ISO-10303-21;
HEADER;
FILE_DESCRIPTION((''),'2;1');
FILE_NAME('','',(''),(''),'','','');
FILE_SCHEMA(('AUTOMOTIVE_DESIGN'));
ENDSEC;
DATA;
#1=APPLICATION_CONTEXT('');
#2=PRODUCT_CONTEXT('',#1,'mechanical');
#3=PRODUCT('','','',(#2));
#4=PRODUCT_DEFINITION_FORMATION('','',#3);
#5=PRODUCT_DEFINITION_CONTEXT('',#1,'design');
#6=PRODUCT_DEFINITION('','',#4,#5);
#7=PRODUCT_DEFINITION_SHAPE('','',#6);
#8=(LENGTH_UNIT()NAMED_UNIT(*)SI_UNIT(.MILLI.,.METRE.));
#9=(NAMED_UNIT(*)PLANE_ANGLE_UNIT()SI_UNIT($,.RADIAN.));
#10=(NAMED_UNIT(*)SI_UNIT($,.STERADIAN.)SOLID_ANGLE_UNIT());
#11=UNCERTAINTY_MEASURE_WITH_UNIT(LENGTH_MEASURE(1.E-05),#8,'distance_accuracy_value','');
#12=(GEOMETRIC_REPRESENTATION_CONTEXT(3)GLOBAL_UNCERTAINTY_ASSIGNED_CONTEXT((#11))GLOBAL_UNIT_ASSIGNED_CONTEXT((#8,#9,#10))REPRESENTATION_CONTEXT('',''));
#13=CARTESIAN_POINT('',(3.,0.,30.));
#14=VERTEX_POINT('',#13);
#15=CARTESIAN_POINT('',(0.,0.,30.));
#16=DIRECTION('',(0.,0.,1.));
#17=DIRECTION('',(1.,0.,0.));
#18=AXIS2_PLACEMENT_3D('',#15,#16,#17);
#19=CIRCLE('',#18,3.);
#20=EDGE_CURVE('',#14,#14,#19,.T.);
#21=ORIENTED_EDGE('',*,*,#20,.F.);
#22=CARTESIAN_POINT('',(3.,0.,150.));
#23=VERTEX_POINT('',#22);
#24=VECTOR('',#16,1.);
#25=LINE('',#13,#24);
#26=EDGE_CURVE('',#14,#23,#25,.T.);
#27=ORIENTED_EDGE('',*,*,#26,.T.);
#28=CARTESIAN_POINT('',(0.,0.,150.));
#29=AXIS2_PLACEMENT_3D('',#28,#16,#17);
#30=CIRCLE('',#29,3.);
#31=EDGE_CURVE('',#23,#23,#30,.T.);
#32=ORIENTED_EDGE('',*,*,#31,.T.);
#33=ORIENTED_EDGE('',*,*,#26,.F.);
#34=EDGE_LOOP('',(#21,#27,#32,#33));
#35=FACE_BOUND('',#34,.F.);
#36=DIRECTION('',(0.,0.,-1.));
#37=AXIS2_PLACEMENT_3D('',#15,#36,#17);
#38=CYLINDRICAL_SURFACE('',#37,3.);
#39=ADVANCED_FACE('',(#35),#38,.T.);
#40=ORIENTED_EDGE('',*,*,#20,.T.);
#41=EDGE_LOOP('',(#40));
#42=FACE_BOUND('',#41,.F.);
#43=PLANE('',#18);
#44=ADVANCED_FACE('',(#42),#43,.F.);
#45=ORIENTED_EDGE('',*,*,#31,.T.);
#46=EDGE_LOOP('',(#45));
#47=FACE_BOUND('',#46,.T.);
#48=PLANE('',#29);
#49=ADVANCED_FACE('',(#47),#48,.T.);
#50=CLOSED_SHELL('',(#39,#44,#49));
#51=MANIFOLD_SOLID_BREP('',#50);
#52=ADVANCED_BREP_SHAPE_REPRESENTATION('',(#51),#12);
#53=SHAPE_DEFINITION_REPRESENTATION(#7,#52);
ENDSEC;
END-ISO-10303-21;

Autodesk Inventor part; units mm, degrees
ref_plane "YZ Plane" through (0, 0, 0) normal (1, 0, 0) x (0, 1, 0)
ref_plane "XZ Plane" through (0, 0, 0) normal (0, 1, 0) x (-1, 0, 0)
ref_plane "XY Plane" through (0, 0, 0) normal (0, 0, 1) x (1, 0, 0)
ref_plane "Work Plane3" through (0, 0, 30) normal (0, 0, 1) x (1, 0, 0)
sketch "Sketch2" plane through (0, 0, 30) normal (0, 0, 1) x (1, 0, 0)
  arc A0 (80, 65) -> (65, 80) centre (65, 65) ccw projected
  line L0 (80, 65) -> (80, -65) projected
  arc A1 (65, -80) -> (80, -65) centre (65, -65) ccw projected
  line L1 (65, -80) -> (-65, -80) projected
  arc A2 (-80, -65) -> (-65, -80) centre (-65, -65) ccw projected
  line L2 (-80, -65) -> (-80, 65) projected
  arc A3 (-65, 80) -> (-80, 65) centre (-65, 65) ccw projected
  line L3 (-65, 80) -> (65, 80) projected
  line L4 (-150, -150) -> (150, -150) projected
  line L5 (150, -150) -> (150, 150) projected
  line L6 (150, 150) -> (-150, 150) projected
  line L7 (-150, 150) -> (-150, -150) projected
  circle A4 centre (0, 0) radius 3
  circle A5 centre (-67, -107.5) radius 1.95 projected
  circle A6 centre (67, 107.5) radius 1.95 projected
  circle A7 centre (-67, 107.5) radius 1.95 projected
  circle A8 centre (67, -107.5) radius 1.95 projected
  dimension "d0" = 6
extrude "Extrusion1" add sketch "Sketch2" along normal blind 120 contours A4
properties part number "00_Microscope_Objective"
